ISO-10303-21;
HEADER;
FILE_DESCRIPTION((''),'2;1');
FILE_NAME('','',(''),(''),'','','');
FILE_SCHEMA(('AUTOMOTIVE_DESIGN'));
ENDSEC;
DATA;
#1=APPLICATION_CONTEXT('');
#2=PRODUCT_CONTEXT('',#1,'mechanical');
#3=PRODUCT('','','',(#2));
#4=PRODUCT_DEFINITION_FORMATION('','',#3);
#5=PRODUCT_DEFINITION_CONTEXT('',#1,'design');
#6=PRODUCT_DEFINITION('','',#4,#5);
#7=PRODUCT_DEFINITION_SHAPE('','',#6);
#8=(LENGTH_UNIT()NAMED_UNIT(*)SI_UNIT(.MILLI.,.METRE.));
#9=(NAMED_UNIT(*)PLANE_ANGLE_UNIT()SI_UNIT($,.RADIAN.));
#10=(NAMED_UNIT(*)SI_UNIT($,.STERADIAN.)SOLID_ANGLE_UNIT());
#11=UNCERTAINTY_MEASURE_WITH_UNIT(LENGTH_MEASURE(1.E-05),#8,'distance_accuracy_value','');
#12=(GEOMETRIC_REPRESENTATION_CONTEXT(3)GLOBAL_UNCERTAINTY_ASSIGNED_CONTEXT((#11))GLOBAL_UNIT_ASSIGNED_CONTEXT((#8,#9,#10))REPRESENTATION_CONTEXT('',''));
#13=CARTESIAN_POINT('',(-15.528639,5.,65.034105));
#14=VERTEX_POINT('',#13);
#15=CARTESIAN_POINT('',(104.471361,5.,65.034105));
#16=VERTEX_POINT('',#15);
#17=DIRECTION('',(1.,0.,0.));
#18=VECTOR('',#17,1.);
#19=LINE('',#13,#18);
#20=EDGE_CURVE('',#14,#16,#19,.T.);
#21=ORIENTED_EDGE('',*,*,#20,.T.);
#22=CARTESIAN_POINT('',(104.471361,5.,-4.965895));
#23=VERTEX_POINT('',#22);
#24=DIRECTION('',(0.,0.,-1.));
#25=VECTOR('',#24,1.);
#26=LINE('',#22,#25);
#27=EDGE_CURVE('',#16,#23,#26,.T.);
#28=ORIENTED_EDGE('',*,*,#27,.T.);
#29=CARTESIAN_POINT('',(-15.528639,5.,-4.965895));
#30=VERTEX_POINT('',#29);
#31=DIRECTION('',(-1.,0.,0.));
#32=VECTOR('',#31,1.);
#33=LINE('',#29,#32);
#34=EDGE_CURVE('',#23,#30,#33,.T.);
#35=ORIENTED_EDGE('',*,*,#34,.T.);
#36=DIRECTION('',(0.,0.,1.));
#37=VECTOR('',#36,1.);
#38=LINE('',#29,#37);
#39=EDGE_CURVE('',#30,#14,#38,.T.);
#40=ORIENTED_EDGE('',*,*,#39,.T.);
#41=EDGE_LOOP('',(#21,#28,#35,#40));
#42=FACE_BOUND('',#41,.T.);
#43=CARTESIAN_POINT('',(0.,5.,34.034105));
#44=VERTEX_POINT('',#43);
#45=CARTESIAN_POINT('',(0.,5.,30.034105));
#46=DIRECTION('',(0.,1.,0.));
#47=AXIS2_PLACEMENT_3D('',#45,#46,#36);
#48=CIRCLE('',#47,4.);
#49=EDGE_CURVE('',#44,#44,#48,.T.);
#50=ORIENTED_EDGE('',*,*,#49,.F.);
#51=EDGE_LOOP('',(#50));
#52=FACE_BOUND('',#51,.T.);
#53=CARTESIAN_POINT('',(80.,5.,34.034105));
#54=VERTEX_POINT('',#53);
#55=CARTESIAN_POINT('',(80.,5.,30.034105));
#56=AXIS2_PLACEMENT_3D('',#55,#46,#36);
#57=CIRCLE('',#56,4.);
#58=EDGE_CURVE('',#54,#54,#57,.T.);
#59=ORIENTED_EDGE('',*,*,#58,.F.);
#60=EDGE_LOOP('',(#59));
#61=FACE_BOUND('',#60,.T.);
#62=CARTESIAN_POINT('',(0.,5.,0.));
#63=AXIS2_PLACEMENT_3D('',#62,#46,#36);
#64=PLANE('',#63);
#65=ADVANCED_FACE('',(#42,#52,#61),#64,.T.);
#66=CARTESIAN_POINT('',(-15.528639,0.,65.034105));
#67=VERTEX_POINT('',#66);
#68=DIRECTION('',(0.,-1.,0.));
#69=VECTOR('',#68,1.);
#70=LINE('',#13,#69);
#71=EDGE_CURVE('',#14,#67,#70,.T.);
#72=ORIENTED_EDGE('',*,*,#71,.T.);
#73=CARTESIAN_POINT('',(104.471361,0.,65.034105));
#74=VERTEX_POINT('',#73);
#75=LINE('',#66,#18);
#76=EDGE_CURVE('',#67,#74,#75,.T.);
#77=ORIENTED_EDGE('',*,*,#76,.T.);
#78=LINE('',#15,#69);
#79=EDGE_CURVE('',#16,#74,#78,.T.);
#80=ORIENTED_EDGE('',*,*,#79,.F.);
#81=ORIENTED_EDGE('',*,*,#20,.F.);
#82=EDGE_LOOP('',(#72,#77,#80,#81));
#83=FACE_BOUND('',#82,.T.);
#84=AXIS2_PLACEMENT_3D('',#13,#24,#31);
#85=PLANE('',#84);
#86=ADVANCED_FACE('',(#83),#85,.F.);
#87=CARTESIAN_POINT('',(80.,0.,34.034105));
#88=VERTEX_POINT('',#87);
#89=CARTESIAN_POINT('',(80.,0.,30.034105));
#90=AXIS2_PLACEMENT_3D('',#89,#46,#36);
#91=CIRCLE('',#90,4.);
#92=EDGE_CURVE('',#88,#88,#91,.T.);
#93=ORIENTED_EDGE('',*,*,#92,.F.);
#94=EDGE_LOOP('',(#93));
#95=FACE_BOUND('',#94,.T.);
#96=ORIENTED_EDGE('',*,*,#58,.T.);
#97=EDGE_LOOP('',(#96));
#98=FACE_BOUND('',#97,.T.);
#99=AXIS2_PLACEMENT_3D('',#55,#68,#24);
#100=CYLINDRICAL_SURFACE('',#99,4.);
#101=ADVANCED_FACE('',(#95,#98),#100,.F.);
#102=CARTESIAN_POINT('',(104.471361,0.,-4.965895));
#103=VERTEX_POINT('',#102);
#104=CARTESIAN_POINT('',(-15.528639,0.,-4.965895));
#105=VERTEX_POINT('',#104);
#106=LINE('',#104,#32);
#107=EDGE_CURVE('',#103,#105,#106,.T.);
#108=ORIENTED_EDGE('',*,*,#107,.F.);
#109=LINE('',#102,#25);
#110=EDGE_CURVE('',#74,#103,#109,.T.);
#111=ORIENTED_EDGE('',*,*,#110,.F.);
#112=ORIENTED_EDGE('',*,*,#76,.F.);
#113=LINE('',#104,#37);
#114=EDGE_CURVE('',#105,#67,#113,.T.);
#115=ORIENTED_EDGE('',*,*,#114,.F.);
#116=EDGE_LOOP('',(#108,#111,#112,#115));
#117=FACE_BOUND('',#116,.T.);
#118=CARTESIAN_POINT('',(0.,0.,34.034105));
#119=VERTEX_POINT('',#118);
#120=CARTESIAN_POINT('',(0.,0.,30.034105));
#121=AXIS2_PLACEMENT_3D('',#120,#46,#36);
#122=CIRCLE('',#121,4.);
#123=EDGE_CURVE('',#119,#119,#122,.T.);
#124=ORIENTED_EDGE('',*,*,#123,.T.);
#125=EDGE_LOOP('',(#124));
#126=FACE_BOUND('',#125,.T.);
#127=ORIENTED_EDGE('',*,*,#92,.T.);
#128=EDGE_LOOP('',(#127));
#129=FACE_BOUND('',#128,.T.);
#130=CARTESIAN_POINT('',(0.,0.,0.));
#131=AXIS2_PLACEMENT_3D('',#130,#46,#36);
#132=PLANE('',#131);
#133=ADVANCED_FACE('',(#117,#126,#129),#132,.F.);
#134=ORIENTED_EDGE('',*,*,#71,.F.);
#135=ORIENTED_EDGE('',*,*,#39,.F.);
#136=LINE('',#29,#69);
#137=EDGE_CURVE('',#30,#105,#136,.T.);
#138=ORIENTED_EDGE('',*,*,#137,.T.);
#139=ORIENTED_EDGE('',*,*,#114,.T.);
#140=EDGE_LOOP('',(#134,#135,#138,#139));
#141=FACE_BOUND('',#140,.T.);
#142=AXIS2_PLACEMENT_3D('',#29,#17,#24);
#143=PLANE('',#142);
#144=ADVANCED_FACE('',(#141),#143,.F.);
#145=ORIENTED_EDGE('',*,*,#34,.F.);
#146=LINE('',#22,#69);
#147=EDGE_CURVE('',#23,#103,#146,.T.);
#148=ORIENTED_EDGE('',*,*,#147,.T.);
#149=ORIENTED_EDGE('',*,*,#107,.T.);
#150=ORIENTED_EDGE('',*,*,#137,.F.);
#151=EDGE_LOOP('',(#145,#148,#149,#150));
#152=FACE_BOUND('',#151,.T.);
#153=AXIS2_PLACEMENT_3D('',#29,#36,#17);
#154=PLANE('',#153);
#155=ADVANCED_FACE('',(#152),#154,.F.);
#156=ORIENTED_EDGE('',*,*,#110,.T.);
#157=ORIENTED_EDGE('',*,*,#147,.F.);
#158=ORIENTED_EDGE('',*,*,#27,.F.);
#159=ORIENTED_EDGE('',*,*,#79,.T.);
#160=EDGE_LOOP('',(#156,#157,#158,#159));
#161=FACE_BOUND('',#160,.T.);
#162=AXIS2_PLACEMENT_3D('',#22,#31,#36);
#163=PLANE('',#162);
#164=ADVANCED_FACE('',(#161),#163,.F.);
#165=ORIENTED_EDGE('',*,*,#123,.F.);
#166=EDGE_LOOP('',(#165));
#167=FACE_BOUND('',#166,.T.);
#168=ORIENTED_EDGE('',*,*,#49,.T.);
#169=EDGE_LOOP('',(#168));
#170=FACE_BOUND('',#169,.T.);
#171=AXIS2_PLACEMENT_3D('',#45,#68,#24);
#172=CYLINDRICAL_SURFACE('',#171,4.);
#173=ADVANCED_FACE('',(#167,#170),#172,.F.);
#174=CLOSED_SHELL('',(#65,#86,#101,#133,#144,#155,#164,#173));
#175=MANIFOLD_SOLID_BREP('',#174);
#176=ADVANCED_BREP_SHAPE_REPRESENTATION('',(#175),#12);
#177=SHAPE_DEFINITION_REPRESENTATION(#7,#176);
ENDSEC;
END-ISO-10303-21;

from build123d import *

# Parameters (mm, degrees)
SKETCH1_W           = 120
SKETCH1_H           = 70
SKETCH1_R           = 4
BOSS_EXTRUDE1_DEPTH = 5


with BuildPart() as part:
    # Sketch1 → Boss-Extrude1 (new body)
    with BuildSketch(Plane(origin=(0, 0, 0), x_dir=(1, 0, 0), z_dir=(0, 1, 0))):
        with Locations((44.471360674, -30.034104939)):
            Rectangle(SKETCH1_W, SKETCH1_H)
        with Locations(Location((0, -30.034104939, 0), (0, 0, 270))):
            Circle(SKETCH1_R, mode=Mode.SUBTRACT)
        with Locations(Location((80, -30.034104939, 0), (0, 0, 270))):
            Circle(SKETCH1_R, mode=Mode.SUBTRACT)
    extrude(amount=BOSS_EXTRUDE1_DEPTH)


solid = part.part
